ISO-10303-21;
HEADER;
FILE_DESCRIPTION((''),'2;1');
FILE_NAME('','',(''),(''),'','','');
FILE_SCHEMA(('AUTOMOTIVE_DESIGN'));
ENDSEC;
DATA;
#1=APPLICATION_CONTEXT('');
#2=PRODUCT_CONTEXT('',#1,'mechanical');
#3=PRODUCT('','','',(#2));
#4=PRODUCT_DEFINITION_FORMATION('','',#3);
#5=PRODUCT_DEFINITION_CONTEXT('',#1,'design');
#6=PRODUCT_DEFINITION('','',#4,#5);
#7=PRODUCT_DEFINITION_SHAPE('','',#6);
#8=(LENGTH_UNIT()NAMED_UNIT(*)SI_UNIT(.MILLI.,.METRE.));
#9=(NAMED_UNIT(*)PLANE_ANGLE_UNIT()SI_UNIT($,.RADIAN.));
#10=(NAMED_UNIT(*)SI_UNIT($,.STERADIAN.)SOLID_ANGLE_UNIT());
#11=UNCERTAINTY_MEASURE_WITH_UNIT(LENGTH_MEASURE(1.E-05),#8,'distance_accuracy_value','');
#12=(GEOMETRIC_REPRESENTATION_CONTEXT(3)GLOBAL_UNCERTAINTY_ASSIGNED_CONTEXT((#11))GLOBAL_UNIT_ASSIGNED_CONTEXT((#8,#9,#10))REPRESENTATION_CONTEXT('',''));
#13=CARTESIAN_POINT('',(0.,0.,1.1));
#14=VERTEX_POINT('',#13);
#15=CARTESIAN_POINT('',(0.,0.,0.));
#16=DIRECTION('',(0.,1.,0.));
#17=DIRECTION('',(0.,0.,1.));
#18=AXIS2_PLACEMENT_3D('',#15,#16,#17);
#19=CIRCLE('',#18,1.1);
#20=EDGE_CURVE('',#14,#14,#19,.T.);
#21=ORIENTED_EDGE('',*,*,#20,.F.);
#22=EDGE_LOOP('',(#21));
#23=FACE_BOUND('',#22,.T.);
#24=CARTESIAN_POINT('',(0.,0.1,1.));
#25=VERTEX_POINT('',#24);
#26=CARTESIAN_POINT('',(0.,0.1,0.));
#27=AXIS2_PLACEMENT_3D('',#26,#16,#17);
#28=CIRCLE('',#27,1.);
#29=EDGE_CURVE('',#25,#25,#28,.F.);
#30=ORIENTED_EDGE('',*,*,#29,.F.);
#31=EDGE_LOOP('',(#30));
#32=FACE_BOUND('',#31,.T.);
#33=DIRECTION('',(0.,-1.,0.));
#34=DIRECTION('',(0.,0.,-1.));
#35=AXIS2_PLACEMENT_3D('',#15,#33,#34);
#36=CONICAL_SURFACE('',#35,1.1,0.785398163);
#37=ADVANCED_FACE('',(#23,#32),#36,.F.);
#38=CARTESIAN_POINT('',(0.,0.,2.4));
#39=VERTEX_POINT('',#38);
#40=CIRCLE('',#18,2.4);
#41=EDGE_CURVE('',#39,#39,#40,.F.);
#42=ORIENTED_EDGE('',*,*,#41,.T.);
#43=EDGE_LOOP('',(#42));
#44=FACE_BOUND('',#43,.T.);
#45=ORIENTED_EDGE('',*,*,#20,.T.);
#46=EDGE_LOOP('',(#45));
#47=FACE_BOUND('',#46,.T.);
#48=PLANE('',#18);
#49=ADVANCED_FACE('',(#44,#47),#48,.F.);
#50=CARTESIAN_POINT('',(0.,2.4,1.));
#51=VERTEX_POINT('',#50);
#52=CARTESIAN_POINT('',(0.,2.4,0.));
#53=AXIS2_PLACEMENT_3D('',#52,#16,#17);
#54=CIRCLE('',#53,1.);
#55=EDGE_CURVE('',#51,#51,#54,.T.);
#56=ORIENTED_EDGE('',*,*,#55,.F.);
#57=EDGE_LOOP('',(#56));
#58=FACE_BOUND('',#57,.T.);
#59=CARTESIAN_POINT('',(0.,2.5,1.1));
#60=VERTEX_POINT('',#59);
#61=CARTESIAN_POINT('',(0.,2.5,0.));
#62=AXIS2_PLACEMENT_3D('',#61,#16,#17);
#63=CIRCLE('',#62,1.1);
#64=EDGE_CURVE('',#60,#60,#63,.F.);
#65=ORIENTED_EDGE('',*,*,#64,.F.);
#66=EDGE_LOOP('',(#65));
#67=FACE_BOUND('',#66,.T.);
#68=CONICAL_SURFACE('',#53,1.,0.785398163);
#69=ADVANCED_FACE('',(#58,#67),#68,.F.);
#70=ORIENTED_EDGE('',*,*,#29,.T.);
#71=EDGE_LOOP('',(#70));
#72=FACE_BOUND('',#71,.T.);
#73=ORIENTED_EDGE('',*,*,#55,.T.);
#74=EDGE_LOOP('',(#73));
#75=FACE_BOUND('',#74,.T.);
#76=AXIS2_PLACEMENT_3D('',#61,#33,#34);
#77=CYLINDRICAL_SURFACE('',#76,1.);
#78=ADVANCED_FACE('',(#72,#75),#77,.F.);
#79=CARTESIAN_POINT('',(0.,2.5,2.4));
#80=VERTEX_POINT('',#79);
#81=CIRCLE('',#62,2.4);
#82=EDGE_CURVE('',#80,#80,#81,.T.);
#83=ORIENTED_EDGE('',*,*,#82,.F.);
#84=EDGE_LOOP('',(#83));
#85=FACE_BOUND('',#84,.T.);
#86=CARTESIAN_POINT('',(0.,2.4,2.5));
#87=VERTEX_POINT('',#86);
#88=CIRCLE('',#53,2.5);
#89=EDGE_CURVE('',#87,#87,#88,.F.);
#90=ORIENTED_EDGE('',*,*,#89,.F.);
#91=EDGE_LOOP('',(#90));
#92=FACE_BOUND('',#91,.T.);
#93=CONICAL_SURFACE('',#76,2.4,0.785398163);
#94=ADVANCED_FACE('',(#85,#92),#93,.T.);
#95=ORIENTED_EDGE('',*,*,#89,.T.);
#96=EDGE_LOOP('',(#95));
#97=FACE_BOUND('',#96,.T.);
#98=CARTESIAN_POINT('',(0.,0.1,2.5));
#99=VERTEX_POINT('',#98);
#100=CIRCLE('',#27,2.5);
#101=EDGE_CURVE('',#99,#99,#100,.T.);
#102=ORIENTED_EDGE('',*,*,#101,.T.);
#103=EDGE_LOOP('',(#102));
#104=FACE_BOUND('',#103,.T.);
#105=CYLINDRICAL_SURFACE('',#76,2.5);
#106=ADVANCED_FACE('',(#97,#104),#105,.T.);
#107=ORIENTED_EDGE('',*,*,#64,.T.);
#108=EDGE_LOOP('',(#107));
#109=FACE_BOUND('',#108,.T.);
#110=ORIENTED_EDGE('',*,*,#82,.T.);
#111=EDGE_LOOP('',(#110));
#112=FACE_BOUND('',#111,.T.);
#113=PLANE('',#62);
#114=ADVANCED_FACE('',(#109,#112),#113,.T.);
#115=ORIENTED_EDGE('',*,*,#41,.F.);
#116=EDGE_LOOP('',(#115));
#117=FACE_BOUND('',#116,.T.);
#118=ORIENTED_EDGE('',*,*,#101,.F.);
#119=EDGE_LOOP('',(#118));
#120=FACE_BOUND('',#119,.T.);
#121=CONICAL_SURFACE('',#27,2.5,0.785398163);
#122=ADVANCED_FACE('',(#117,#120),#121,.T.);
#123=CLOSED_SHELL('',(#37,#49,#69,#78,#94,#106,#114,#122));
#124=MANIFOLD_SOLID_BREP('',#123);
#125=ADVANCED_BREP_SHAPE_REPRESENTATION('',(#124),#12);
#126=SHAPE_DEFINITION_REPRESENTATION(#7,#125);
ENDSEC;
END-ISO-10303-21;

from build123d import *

# Parameters (mm, degrees)
SKETCH_1_R      = 2.5
SKETCH_1_R_2    = 1
EXTRUDE_1_DEPTH = 2.5
CHAMFER_1_SIZE  = 0.1


with BuildPart() as part:
    # 草图1 → 凸台-拉伸1 (new body)
    with BuildSketch(Plane(origin=(0, 0, 0), x_dir=(1, 0, 0), z_dir=(0, 1, 0))):
        Circle(SKETCH_1_R)
        Circle(SKETCH_1_R_2, mode=Mode.SUBTRACT)
    extrude(amount=EXTRUDE_1_DEPTH)

    # 倒角1
    chamfer_1_edges = [part.edges().sort_by_distance(p)[0] for p in [
        (-2.5, 0, 0),
        (-2.5, 2.5, 0),
        (-1, 0, 0),
        (-1, 2.5, 0),
    ]]
    chamfer(chamfer_1_edges, length=CHAMFER_1_SIZE)


solid = part.part
